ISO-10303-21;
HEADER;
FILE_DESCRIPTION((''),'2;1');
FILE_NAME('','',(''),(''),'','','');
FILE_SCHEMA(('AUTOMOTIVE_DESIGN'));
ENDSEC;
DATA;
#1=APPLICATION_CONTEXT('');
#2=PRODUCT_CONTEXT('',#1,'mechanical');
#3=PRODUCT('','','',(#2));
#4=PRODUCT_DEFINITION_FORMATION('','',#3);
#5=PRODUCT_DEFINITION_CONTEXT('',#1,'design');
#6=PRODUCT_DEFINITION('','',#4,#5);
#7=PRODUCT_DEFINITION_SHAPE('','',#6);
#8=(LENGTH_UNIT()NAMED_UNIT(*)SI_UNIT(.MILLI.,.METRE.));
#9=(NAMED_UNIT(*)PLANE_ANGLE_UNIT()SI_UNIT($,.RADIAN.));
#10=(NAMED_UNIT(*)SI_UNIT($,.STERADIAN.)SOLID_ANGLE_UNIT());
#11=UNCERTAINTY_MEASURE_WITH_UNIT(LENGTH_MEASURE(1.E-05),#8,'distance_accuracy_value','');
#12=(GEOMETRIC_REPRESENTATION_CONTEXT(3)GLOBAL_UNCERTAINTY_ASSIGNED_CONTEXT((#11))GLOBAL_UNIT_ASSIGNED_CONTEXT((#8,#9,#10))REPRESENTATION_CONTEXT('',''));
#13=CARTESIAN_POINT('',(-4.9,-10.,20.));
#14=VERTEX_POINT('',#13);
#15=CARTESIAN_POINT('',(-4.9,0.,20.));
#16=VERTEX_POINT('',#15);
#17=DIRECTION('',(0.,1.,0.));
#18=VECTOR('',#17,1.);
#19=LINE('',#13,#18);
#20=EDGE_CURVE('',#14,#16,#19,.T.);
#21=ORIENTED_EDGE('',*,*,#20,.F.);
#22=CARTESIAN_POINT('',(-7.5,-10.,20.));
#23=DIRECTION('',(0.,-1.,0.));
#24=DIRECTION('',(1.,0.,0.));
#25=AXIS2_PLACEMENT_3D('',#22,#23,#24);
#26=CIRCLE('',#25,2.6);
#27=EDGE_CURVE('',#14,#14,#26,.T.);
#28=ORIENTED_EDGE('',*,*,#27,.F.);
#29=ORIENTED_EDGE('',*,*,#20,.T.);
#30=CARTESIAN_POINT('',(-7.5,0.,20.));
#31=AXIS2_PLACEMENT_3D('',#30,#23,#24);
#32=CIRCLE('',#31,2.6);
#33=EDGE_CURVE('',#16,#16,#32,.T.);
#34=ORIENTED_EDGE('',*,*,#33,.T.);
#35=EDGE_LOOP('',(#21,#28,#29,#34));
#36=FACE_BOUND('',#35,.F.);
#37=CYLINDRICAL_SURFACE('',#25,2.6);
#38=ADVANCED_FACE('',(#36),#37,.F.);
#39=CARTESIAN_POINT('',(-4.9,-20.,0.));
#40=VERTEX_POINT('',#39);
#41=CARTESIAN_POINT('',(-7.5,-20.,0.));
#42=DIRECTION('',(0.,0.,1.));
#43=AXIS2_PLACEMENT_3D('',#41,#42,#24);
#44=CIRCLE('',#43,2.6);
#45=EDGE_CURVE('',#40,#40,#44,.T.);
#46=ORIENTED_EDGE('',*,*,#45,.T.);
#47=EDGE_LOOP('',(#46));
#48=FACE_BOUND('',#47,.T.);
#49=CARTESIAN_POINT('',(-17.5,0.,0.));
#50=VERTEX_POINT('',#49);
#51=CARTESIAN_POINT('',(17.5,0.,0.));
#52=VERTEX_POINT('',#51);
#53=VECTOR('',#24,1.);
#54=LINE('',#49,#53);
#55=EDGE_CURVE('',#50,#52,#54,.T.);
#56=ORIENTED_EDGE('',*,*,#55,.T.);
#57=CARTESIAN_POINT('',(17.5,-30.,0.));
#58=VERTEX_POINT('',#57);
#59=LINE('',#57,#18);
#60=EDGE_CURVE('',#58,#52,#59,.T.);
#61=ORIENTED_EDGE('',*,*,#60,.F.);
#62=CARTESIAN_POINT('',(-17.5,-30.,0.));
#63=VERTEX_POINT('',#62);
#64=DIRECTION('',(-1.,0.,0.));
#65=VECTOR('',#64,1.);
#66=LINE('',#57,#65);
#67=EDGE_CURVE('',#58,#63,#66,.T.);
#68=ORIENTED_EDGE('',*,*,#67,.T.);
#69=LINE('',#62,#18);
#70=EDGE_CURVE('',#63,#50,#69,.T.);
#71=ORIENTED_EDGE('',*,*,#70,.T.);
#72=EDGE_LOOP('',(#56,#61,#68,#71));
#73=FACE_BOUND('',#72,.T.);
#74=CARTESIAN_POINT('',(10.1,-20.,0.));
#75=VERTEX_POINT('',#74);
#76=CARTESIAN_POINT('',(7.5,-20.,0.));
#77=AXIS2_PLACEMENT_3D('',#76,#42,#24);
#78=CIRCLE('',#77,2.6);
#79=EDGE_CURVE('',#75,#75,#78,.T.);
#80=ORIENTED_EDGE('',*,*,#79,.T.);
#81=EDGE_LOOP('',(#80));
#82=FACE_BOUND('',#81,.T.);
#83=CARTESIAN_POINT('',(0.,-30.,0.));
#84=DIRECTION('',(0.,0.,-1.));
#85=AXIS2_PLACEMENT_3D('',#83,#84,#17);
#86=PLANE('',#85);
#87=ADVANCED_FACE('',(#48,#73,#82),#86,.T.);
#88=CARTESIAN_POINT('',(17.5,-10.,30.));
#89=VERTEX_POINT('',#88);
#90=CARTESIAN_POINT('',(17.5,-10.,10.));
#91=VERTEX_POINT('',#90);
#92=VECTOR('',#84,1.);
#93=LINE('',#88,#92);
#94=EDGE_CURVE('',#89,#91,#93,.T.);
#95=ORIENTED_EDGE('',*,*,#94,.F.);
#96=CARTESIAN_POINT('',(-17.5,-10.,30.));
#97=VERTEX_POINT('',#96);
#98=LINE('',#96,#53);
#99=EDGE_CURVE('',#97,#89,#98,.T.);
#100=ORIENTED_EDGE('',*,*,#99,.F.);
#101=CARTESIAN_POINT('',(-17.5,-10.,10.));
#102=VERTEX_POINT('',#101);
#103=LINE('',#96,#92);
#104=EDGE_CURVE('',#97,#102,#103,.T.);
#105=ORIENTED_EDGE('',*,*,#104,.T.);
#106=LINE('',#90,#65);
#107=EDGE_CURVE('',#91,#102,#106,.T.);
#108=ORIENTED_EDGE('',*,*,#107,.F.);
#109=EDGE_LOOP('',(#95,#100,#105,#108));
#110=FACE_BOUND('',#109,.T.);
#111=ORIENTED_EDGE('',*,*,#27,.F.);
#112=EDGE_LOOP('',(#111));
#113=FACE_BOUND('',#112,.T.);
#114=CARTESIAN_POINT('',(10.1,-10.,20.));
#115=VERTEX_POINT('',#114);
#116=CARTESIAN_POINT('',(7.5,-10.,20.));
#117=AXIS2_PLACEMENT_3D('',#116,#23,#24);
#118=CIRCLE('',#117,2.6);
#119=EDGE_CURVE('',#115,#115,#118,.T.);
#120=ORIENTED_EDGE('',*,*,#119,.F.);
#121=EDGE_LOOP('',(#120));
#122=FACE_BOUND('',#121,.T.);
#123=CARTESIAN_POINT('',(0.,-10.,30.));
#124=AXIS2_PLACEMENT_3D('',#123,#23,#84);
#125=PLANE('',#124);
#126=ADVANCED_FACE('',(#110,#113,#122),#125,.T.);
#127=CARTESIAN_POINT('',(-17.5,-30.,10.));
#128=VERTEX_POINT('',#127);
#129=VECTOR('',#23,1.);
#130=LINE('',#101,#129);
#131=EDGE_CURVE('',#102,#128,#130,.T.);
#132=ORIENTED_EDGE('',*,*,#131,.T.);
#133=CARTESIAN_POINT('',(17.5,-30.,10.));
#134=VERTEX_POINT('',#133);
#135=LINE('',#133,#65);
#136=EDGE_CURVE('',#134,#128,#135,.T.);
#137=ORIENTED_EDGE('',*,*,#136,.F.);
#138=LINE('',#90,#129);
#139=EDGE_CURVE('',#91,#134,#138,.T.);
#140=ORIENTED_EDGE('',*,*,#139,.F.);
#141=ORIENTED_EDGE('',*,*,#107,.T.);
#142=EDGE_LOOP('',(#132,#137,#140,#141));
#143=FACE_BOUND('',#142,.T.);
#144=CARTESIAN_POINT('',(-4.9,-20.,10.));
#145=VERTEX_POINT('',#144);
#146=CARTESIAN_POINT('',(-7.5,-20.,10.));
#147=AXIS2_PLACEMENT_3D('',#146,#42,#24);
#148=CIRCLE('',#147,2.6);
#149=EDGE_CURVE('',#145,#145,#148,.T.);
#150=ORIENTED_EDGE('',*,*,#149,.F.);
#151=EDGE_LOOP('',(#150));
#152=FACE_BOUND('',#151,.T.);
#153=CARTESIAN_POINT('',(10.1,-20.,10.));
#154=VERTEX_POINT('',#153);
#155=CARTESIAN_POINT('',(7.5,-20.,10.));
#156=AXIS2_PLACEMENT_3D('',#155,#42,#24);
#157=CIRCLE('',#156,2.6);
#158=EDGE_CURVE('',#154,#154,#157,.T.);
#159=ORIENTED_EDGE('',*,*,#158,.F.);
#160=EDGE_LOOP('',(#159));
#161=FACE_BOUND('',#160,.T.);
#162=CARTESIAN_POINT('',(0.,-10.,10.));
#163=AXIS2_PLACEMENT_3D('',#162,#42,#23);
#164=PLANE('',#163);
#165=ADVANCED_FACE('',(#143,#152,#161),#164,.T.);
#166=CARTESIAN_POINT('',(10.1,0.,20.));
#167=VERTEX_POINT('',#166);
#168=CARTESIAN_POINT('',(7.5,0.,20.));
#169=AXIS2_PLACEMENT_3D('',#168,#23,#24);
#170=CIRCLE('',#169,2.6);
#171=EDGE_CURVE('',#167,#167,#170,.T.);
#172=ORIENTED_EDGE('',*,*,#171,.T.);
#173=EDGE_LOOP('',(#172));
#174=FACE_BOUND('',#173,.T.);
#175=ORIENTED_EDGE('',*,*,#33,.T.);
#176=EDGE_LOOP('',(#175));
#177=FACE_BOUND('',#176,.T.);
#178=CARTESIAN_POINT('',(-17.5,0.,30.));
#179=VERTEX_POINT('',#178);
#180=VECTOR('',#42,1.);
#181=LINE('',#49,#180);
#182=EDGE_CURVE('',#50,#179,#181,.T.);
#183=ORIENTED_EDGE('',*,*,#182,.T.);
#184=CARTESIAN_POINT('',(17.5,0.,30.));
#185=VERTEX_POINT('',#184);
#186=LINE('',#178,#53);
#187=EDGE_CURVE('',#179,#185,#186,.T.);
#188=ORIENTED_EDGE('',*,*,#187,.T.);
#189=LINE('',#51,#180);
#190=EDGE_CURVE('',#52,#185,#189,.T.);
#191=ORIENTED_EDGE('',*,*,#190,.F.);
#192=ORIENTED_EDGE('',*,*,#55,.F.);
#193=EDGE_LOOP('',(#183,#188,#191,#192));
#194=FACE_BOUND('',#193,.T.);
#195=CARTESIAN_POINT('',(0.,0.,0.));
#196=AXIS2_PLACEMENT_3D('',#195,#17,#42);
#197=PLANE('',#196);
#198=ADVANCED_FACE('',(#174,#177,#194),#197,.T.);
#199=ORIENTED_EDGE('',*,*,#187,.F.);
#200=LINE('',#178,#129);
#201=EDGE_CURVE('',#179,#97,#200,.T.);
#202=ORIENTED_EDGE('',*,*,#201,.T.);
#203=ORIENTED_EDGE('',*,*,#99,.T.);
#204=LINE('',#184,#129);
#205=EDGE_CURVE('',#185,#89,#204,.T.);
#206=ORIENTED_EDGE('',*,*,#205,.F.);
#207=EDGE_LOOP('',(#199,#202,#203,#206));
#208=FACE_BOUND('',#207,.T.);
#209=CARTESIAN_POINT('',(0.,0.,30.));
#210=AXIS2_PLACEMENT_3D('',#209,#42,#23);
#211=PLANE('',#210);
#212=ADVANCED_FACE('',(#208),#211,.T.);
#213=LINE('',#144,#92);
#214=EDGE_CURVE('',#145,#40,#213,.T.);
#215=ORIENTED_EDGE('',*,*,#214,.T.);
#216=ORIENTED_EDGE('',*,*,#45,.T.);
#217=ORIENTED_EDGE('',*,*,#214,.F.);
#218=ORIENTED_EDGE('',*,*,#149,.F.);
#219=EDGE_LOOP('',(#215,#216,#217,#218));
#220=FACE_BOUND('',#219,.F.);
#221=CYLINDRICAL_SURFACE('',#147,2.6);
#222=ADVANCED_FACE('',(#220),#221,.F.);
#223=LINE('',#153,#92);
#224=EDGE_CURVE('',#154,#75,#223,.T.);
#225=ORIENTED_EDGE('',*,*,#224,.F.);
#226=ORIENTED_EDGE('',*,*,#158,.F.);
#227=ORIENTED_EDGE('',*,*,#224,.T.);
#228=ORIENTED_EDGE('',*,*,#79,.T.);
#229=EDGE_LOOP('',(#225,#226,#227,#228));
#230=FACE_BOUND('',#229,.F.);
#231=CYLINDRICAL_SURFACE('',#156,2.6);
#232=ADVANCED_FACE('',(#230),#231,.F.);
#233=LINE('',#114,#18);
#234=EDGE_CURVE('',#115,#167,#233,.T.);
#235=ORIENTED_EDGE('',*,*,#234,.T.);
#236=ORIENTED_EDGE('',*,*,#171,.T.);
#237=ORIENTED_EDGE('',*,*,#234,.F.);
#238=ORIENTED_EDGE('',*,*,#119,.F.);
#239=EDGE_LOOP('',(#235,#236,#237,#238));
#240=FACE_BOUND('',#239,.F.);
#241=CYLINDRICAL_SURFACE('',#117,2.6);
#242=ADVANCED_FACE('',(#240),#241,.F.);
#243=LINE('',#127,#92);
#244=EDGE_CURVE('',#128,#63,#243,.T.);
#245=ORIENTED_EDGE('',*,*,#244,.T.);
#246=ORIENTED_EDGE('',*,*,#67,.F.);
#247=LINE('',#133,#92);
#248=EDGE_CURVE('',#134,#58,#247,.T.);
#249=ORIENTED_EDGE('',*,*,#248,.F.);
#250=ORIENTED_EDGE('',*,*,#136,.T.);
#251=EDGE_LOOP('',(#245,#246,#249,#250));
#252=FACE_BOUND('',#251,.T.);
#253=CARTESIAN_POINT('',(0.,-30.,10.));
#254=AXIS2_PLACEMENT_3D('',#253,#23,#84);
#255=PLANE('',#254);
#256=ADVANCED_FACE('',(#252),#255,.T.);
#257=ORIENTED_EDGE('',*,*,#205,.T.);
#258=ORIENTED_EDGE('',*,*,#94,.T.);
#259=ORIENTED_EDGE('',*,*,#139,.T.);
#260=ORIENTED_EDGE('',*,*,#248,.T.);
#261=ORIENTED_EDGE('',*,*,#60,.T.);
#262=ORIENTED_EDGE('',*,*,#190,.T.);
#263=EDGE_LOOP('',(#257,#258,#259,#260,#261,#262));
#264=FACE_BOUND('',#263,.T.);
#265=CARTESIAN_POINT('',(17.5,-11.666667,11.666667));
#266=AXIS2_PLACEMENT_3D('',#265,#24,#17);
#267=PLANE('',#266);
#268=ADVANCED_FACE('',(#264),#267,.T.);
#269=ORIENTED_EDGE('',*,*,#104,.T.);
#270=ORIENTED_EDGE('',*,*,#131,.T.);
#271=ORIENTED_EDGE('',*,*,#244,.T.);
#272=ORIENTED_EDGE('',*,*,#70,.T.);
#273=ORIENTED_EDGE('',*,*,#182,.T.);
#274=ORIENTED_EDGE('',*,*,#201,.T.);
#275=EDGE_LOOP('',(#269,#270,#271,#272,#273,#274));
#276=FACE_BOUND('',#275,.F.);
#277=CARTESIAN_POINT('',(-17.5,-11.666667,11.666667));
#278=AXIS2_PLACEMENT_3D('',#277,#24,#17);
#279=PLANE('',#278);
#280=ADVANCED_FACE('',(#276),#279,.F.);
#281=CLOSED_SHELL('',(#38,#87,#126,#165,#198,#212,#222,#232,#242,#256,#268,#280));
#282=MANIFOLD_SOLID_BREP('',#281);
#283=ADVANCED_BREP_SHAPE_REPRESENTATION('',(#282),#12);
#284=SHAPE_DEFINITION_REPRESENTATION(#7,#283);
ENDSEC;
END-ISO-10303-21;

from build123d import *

# Parameters (mm, degrees)
F1_DEPTH      = 17.5
F1_DEPTH_BACK = 17.5
F2_R          = 2.6
F3_DEPTH      = 10.001
F4_R          = 2.6
F5_DEPTH      = 10.001


with BuildPart() as f1:
    # F0 (on Right) → F1 (new body, two sides)
    with BuildSketch(Plane.YZ) as f1_sk:
        Polygon((-30, 0), (0, 0), (0, 30), (-10, 30), (-10, 10), (-30, 10), align=None)
    extrude(amount=F1_DEPTH)
    extrude(f1_sk.sketch, amount=-F1_DEPTH_BACK)

    # F2 (on face) → F3 (cut, through all)
    with BuildSketch(Plane.XZ.offset(10)):
        with Locations((-7.5, 20)):
            Circle(F2_R)
        with Locations((7.5, 20)):
            Circle(F2_R)
    extrude(amount=-F3_DEPTH, mode=Mode.SUBTRACT)

    # F4 (on face) → F5 (cut, through all)
    with BuildSketch(Plane.XY.offset(10)):
        with Locations((-7.5, -20)):
            Circle(F4_R)
        with Locations((7.5, -20)):
            Circle(F4_R)
    extrude(amount=-F5_DEPTH, mode=Mode.SUBTRACT)


solid = f1.part
